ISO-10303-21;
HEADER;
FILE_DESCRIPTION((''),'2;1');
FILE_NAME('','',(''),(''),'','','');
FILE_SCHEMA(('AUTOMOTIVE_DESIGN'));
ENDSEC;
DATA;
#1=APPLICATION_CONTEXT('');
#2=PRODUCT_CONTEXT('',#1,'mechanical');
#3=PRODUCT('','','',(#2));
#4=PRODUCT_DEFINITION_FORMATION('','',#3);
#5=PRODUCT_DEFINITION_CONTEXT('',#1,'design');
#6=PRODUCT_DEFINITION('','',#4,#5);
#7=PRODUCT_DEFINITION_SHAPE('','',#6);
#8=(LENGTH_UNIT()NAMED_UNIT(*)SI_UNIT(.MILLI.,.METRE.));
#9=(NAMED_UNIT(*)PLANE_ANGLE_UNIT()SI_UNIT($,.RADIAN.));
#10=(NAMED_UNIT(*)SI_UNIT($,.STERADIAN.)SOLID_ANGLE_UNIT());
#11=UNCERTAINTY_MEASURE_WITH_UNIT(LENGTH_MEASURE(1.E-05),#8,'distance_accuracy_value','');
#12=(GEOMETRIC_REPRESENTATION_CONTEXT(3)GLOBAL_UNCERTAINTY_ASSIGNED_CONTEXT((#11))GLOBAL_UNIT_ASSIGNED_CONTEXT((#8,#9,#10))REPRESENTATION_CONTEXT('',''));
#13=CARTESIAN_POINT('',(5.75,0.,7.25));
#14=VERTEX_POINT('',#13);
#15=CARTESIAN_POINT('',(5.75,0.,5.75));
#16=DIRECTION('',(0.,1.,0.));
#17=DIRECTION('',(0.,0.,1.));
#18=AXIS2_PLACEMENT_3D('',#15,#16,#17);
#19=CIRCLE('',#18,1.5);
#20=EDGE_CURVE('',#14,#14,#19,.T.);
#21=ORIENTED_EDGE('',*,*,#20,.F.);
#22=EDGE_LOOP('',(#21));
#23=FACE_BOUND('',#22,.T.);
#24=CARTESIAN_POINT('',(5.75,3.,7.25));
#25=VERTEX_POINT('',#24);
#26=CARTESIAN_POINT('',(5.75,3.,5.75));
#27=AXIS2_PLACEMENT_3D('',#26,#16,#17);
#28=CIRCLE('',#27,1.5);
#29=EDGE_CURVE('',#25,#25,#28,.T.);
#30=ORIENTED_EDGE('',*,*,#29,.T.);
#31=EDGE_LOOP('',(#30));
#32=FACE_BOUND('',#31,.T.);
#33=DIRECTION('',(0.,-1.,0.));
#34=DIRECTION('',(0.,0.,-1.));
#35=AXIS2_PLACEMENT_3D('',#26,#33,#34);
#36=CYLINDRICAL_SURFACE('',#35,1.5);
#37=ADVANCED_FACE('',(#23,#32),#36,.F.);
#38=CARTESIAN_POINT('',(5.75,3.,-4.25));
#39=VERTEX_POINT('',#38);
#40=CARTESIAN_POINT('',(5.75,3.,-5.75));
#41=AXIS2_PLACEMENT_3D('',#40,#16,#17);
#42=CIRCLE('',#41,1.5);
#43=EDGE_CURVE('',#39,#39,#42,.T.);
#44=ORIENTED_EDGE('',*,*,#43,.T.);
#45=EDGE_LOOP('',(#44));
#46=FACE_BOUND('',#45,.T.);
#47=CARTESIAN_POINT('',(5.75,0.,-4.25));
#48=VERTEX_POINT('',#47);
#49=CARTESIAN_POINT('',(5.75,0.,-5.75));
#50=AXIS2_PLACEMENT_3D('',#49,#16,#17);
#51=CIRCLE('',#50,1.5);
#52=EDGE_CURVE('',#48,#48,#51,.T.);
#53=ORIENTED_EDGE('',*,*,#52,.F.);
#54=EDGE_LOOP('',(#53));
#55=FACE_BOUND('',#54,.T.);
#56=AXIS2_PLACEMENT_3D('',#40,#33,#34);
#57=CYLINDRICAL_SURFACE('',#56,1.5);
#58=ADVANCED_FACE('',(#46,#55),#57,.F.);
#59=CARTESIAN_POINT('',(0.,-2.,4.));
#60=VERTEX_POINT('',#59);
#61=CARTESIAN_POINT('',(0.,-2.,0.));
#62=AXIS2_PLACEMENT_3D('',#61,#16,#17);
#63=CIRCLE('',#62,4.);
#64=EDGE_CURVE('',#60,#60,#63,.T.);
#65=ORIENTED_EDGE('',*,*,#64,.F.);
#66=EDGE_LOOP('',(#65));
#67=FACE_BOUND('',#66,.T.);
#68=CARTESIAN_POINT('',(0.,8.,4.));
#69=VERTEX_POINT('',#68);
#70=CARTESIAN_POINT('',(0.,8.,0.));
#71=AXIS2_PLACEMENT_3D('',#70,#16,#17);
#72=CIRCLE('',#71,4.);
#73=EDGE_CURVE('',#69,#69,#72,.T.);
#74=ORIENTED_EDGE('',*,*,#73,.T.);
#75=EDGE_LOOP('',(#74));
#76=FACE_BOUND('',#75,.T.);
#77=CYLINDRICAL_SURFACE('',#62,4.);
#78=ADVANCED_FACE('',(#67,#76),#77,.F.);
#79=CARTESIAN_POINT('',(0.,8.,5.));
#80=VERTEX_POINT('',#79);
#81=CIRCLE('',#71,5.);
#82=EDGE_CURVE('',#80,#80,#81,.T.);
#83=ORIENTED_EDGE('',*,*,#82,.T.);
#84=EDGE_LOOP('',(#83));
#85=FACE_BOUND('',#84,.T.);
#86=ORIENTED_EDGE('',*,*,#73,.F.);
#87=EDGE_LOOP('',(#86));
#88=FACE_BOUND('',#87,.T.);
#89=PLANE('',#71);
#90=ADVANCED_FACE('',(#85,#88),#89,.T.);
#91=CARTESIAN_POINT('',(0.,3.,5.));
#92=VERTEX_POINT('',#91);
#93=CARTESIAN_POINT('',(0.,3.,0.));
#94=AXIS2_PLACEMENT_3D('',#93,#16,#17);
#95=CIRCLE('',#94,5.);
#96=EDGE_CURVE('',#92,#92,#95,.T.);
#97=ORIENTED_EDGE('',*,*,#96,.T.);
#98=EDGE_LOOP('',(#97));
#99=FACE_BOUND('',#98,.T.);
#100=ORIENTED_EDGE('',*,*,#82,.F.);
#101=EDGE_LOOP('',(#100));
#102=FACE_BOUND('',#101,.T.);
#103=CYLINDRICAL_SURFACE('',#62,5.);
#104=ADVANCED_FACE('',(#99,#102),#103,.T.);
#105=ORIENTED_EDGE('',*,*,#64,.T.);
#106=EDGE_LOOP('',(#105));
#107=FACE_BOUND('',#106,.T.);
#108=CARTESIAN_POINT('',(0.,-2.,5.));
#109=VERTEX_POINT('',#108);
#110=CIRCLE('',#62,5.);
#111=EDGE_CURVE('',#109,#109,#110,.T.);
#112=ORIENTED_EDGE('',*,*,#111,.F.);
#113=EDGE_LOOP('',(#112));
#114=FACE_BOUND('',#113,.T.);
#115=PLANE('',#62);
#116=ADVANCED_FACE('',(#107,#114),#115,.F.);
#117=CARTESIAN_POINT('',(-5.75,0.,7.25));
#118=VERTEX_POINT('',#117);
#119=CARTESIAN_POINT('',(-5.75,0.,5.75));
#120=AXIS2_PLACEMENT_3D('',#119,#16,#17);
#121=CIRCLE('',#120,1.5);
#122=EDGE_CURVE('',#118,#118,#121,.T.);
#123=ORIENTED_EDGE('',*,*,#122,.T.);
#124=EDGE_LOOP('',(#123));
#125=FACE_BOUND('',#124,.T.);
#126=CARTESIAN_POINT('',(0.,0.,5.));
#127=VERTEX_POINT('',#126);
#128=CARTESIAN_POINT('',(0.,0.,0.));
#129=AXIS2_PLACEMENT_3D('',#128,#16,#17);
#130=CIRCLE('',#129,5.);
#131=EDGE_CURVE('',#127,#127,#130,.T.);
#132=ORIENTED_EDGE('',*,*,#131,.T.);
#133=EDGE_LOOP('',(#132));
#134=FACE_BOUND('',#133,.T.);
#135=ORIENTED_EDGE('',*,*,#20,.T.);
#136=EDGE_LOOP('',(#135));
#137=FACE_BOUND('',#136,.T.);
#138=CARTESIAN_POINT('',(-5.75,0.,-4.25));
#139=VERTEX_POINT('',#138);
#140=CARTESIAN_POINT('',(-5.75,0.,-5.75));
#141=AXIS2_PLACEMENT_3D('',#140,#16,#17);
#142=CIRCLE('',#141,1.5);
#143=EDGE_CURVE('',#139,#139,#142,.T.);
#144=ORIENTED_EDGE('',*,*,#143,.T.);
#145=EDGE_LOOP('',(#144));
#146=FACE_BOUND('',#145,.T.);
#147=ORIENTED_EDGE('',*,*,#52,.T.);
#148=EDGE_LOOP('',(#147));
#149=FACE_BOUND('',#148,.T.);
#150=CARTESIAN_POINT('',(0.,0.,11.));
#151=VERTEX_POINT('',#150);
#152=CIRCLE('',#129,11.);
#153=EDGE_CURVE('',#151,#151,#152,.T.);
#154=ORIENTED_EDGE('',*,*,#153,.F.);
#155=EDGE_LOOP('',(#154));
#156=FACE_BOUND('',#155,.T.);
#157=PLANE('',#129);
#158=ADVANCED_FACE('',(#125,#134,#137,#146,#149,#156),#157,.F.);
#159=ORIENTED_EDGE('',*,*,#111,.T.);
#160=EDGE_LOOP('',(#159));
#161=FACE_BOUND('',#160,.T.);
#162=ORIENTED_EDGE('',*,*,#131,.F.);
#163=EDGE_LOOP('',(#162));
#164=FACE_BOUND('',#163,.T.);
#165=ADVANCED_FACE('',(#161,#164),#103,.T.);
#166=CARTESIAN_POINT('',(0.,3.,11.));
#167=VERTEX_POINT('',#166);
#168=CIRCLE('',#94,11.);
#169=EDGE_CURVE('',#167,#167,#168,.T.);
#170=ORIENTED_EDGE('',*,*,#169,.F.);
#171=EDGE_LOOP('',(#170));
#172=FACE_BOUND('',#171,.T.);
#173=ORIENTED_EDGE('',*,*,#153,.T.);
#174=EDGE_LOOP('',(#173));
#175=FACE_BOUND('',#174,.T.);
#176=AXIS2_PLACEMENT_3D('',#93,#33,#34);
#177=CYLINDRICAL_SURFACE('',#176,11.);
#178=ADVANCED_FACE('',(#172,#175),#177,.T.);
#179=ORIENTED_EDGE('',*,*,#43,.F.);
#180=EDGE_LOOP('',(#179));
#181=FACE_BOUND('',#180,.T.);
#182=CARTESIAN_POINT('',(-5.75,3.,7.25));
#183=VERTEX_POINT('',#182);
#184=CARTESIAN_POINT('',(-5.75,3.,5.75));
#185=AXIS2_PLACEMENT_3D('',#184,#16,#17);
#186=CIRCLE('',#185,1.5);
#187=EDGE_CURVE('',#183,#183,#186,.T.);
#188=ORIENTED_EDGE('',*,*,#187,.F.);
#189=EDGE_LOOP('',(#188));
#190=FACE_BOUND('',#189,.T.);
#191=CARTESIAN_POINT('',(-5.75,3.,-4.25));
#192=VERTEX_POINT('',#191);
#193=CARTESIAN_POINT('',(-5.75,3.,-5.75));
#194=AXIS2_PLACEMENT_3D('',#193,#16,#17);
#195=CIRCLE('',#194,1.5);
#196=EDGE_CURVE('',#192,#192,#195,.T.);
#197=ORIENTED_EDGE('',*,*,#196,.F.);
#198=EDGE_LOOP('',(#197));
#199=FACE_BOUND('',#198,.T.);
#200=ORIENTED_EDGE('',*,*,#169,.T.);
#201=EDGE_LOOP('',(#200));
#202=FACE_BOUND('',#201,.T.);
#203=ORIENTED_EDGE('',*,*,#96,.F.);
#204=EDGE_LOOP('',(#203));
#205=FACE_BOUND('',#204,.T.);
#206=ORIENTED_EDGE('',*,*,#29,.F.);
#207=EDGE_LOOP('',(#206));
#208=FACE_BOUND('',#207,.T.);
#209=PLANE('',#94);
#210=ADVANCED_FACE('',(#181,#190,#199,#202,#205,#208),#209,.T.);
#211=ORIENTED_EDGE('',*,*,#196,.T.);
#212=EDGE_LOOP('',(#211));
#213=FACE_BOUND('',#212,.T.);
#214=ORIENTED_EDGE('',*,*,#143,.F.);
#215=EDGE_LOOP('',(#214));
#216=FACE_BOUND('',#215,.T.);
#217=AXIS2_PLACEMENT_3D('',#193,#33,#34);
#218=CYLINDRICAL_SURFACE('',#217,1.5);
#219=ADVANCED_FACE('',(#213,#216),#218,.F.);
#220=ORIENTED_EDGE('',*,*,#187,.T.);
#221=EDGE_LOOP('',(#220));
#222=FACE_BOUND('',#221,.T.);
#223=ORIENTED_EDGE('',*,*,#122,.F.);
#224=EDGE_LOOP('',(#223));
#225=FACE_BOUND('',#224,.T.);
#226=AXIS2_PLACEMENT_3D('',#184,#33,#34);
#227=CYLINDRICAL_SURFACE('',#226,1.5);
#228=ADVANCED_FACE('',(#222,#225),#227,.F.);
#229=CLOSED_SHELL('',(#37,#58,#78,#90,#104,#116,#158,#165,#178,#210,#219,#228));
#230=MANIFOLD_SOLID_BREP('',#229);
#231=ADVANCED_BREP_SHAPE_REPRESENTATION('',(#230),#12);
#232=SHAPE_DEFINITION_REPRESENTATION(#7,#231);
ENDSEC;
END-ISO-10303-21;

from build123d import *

# Parameters (mm, degrees)
SKETCH1_R                = 11
SKETCH1_R_2              = 5
SKETCH1_R_3              = 1.5
BOSS_EXTRUDE1_DEPTH      = 3
SKETCH2_R                = 5
SKETCH2_R_2              = 4
BOSS_EXTRUDE2_DEPTH      = 8
BOSS_EXTRUDE2_DEPTH_BACK = 2


with BuildPart() as part:
    # Sketch1 → Boss-Extrude1 (new body)
    with BuildSketch(Plane(origin=(0, 0, 0), x_dir=(1, 0, 0), z_dir=(0, 1, 0))):
        Circle(SKETCH1_R)
        Circle(SKETCH1_R_2, mode=Mode.SUBTRACT)
        with Locations((-5.75, 5.75)):
            Circle(SKETCH1_R_3, mode=Mode.SUBTRACT)
        with Locations((5.75, 5.75)):
            Circle(SKETCH1_R_3, mode=Mode.SUBTRACT)
        with Locations((5.75, -5.75)):
            Circle(SKETCH1_R_3, mode=Mode.SUBTRACT)
        with Locations((-5.75, -5.75)):
            Circle(SKETCH1_R_3, mode=Mode.SUBTRACT)
    extrude(amount=BOSS_EXTRUDE1_DEPTH)

    # Sketch2 → Boss-Extrude2 (add, two sides)
    with BuildSketch(Plane(origin=(0, 0, 0), x_dir=(1, 0, 0), z_dir=(0, 1, 0))) as boss_extrude2_sk:
        Circle(SKETCH2_R)
        Circle(SKETCH2_R_2, mode=Mode.SUBTRACT)
    extrude(amount=BOSS_EXTRUDE2_DEPTH)
    extrude(boss_extrude2_sk.sketch, amount=-BOSS_EXTRUDE2_DEPTH_BACK)


solid = part.part
